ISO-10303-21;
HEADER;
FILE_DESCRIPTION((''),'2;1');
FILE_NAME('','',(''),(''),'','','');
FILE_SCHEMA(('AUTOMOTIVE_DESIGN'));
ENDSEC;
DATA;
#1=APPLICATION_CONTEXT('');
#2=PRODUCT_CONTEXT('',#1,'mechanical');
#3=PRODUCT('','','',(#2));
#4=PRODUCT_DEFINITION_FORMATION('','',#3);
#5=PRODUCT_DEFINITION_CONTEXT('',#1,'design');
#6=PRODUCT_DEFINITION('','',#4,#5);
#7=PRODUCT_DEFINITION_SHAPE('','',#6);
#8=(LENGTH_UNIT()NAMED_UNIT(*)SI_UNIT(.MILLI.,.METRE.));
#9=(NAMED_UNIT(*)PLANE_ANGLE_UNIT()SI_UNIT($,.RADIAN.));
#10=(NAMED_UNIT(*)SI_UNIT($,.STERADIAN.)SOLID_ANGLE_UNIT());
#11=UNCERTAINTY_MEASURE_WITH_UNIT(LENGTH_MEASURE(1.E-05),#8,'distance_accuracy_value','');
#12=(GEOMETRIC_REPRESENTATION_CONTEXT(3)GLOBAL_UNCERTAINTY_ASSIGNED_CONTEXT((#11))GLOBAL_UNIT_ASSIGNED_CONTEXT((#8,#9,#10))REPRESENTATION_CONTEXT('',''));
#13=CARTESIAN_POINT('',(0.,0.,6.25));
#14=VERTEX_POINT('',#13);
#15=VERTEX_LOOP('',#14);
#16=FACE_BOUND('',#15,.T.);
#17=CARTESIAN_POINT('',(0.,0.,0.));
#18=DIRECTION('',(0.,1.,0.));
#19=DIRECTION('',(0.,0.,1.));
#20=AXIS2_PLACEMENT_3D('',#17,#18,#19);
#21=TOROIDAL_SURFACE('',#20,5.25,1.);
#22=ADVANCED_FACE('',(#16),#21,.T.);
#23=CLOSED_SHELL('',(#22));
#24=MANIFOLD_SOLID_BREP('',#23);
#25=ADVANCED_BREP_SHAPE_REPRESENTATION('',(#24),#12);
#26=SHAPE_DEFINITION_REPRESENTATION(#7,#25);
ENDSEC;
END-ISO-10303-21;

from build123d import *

# Parameters (mm, degrees)
SKETCH1_R = 1


with BuildPart() as part:
    # Sketch1 → Revolve1 (revolve)
    with BuildSketch(Plane.XY, mode=Mode.PRIVATE) as revolve1_sk:
        with Locations((5.25, 0)):
            Circle(SKETCH1_R)
    revolve(revolve1_sk.sketch.rotate(Axis((0, 2, 0), (0, -1, 0)), 90), axis=Axis((0, 2, 0), (0, -1, 0)))


solid = part.part
